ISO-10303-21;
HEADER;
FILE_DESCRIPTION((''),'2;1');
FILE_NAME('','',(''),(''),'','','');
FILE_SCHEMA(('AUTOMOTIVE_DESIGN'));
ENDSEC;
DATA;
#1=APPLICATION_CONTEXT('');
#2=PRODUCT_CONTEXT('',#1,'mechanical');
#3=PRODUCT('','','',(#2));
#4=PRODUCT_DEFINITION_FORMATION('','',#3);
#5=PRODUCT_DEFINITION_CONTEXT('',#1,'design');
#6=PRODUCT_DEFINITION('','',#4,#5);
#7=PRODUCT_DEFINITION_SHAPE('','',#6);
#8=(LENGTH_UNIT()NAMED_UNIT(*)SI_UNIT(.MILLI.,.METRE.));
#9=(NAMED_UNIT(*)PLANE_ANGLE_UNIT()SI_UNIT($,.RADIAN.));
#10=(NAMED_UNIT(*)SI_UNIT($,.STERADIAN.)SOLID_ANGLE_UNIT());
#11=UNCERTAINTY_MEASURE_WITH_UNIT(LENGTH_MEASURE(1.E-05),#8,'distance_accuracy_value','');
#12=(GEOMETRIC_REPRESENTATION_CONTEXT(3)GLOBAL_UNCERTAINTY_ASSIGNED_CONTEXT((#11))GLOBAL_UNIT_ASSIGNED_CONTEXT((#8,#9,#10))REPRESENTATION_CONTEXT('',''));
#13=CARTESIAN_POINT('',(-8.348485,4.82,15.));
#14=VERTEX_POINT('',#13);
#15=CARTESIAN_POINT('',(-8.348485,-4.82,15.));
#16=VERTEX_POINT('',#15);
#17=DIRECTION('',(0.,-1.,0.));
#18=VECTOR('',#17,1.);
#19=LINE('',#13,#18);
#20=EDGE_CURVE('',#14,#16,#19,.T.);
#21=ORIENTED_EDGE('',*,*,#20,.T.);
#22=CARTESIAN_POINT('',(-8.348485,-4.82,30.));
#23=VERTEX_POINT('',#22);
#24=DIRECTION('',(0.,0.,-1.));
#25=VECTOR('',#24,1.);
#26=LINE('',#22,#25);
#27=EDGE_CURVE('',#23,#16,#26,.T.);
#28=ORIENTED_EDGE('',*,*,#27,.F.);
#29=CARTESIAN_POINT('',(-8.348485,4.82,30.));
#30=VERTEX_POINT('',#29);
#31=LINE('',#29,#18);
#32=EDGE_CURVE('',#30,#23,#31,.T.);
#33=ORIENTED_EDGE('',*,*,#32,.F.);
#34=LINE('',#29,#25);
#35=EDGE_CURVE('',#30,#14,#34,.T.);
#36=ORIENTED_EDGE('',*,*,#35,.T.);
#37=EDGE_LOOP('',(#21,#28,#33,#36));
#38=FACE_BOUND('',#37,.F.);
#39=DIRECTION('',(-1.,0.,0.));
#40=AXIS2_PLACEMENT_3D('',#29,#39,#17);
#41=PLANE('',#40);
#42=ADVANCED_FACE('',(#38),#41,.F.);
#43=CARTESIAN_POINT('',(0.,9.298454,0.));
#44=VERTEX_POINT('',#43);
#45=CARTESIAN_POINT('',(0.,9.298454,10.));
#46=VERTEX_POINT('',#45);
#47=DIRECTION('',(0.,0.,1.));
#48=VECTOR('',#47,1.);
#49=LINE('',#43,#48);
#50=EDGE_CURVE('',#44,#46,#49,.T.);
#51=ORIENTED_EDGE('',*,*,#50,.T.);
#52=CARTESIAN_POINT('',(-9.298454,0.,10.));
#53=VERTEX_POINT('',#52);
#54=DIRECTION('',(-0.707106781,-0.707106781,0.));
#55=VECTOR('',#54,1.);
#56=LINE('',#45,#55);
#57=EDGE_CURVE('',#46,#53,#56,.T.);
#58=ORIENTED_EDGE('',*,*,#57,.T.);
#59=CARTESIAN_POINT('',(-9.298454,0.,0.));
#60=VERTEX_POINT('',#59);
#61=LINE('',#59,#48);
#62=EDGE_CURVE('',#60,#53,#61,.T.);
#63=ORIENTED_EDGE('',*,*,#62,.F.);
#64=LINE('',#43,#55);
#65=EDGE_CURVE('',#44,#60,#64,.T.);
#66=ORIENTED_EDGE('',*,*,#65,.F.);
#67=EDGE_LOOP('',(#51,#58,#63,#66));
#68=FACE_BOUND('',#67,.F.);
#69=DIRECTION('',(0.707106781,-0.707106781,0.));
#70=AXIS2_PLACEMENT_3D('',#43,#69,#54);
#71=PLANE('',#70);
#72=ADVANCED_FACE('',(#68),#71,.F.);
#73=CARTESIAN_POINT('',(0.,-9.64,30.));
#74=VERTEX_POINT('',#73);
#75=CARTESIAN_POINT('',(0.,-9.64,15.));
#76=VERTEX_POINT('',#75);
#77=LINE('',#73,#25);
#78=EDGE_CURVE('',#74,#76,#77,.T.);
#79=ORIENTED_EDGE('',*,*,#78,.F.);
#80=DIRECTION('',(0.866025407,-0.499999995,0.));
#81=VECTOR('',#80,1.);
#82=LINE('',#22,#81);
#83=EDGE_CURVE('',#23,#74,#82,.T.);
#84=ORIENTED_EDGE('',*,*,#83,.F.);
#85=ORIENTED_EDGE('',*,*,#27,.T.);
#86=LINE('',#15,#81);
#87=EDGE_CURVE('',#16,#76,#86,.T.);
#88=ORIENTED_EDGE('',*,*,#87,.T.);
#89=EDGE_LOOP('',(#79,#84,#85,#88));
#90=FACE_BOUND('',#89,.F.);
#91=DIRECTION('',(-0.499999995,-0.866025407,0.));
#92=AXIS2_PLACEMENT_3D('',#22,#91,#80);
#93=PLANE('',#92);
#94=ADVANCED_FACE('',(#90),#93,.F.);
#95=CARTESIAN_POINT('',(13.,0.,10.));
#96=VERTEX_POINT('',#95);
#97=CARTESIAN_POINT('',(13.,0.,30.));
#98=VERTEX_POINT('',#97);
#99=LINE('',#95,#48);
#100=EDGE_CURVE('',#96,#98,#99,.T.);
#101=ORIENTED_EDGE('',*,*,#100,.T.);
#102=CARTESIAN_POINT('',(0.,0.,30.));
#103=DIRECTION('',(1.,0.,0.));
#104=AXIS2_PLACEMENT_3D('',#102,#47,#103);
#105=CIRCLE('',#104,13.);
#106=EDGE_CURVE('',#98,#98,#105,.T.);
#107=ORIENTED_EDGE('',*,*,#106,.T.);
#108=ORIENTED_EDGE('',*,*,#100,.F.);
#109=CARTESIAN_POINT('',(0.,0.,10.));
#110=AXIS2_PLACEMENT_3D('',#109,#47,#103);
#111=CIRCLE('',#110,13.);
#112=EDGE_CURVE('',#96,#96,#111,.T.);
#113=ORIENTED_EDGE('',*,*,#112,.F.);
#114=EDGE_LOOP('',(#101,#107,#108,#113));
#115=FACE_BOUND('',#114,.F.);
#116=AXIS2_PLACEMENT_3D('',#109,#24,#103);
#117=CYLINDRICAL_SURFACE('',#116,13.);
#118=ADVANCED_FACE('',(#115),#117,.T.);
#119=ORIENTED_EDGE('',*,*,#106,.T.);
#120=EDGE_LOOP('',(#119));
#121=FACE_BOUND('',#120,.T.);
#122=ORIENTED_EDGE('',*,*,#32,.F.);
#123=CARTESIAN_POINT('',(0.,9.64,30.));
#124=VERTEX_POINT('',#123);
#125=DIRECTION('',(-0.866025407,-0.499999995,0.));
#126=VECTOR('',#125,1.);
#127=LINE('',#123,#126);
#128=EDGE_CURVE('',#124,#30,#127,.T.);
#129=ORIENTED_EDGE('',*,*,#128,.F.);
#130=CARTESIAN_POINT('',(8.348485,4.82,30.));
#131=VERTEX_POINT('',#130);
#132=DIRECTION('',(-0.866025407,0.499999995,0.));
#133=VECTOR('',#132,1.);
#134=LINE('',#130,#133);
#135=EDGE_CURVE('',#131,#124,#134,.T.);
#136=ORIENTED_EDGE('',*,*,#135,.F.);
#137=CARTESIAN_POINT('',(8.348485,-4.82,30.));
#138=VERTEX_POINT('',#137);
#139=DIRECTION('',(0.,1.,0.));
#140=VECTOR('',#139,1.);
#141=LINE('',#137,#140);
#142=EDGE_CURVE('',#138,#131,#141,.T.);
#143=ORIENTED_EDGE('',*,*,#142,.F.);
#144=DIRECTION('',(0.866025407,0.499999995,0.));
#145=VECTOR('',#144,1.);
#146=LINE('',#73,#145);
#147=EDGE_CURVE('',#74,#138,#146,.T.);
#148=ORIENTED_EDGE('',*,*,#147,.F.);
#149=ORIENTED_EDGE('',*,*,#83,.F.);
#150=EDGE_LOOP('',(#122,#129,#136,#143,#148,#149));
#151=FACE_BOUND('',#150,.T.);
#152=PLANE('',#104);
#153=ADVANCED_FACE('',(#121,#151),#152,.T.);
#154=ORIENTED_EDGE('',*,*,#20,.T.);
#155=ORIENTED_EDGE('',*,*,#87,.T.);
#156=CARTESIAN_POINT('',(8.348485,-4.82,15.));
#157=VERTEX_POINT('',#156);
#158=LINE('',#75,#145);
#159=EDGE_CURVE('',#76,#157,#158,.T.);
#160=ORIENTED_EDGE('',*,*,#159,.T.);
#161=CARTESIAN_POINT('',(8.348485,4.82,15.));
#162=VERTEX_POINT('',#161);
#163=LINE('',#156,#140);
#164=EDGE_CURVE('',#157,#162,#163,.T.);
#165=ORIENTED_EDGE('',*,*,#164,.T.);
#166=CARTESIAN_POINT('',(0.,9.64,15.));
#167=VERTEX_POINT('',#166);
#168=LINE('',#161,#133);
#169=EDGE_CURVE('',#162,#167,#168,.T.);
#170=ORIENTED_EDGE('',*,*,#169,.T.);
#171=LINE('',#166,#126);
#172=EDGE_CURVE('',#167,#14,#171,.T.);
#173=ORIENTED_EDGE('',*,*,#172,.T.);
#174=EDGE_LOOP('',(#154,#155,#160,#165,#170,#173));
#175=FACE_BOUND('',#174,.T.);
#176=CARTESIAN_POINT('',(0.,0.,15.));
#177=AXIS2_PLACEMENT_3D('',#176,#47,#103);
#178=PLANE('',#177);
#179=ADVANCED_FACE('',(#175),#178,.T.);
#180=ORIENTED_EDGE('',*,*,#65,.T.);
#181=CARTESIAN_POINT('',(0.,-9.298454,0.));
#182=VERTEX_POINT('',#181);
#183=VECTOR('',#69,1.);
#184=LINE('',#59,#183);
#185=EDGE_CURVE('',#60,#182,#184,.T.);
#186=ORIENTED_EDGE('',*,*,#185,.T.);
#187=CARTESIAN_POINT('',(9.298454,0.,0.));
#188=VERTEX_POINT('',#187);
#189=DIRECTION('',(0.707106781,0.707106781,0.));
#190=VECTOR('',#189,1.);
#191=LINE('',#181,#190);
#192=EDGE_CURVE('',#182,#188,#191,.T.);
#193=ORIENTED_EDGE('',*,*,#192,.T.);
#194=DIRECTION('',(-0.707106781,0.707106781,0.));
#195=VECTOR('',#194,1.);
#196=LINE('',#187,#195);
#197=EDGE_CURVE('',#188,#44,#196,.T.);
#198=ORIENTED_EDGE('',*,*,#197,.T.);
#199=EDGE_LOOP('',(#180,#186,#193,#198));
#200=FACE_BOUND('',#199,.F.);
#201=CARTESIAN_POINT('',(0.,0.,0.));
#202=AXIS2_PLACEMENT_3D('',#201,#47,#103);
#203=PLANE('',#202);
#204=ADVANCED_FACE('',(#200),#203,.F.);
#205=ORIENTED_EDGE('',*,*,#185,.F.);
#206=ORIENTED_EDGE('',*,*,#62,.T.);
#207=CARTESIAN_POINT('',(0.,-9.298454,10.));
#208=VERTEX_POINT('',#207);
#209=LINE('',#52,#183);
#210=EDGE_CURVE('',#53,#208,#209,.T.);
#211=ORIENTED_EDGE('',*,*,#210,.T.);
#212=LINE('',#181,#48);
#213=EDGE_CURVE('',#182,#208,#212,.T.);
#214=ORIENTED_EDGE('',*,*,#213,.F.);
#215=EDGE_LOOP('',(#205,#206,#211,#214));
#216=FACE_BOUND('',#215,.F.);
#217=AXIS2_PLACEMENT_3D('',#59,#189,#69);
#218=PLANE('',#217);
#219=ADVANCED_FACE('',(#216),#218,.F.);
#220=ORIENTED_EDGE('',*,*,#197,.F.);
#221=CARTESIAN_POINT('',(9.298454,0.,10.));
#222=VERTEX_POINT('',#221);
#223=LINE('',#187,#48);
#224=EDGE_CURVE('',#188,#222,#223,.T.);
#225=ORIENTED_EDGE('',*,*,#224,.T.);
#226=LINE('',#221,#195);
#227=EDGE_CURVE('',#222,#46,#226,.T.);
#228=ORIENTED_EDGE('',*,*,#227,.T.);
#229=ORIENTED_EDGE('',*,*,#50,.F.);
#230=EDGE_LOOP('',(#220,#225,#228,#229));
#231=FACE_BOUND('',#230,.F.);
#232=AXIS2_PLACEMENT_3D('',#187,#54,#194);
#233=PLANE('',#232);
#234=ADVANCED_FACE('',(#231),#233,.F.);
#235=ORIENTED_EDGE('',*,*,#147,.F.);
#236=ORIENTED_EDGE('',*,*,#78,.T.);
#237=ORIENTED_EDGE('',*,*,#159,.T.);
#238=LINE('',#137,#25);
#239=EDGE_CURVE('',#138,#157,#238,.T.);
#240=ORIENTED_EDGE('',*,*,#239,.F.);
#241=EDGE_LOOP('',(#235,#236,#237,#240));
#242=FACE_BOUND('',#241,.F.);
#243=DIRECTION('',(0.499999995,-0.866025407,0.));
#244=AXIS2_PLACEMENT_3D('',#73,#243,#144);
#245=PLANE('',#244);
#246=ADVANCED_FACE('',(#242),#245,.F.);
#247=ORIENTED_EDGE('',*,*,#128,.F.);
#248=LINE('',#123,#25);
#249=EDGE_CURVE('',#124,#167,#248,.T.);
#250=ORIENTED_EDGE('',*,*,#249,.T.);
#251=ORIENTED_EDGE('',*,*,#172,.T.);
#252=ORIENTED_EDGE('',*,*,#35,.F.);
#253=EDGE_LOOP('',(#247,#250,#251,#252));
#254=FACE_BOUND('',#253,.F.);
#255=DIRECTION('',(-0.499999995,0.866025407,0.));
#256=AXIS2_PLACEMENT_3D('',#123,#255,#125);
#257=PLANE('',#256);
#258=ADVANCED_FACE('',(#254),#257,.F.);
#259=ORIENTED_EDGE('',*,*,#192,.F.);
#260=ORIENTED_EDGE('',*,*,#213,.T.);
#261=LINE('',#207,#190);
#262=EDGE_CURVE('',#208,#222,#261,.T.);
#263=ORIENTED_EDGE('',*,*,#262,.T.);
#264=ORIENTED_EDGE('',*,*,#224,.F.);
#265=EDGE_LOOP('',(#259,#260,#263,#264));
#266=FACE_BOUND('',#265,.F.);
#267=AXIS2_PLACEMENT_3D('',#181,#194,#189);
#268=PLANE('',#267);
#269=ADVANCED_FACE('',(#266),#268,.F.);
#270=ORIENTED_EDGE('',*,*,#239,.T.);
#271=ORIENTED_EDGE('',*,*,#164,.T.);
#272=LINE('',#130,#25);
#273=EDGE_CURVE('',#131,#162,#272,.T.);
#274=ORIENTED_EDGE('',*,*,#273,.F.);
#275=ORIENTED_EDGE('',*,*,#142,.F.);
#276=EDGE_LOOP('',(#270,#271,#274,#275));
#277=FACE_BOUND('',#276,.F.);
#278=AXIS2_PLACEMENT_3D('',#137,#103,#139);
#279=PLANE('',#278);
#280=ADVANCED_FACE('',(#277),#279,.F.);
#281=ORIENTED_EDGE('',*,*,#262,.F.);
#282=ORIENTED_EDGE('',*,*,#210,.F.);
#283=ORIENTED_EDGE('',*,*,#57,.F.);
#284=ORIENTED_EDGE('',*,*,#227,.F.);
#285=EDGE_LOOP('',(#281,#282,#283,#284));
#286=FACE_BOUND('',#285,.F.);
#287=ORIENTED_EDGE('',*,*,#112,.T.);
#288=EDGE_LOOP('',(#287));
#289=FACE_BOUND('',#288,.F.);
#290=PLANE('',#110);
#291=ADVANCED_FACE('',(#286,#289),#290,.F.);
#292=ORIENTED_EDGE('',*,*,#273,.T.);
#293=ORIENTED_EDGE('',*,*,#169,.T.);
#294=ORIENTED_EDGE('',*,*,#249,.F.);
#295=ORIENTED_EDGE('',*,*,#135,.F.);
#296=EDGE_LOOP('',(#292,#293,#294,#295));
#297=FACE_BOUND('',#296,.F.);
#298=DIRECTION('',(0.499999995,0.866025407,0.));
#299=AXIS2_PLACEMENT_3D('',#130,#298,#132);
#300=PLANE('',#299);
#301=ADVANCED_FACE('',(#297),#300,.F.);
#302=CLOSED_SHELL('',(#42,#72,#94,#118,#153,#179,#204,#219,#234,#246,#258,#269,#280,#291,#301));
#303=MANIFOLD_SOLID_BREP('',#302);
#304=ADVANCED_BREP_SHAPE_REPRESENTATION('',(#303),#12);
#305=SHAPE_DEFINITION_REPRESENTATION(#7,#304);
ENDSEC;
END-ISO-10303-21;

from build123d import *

# Parameters (mm, degrees)
PAD_DEPTH    = 10
SKETCH001_R  = 13
PAD001_DEPTH = 20
POCKET_DEPTH = 15


with BuildPart() as part:
    # Sketch → Pad (new body)
    with BuildSketch(Plane.XY):
        Polygon((0, 9.298454), (-9.298454, 0), (0, -9.298454), (9.298454, 0), align=None)
    extrude(amount=PAD_DEPTH)

    # Sketch001 (on Face6 of Pad) → Pad001 (join)
    with BuildSketch(Plane.XY.offset(10)):
        Circle(SKETCH001_R)
    extrude(amount=PAD001_DEPTH)

    # Sketch002 (on Face3 of Pad001) → Pocket (cut)
    with BuildSketch(Plane.XY.offset(30)):
        Polygon((0, 9.64), (-8.348485, 4.82), (-8.348485, -4.82), (0, -9.64), (8.348485, -4.82), (8.348485, 4.82), align=None)
    extrude(amount=-POCKET_DEPTH, mode=Mode.SUBTRACT)


solid = part.part
